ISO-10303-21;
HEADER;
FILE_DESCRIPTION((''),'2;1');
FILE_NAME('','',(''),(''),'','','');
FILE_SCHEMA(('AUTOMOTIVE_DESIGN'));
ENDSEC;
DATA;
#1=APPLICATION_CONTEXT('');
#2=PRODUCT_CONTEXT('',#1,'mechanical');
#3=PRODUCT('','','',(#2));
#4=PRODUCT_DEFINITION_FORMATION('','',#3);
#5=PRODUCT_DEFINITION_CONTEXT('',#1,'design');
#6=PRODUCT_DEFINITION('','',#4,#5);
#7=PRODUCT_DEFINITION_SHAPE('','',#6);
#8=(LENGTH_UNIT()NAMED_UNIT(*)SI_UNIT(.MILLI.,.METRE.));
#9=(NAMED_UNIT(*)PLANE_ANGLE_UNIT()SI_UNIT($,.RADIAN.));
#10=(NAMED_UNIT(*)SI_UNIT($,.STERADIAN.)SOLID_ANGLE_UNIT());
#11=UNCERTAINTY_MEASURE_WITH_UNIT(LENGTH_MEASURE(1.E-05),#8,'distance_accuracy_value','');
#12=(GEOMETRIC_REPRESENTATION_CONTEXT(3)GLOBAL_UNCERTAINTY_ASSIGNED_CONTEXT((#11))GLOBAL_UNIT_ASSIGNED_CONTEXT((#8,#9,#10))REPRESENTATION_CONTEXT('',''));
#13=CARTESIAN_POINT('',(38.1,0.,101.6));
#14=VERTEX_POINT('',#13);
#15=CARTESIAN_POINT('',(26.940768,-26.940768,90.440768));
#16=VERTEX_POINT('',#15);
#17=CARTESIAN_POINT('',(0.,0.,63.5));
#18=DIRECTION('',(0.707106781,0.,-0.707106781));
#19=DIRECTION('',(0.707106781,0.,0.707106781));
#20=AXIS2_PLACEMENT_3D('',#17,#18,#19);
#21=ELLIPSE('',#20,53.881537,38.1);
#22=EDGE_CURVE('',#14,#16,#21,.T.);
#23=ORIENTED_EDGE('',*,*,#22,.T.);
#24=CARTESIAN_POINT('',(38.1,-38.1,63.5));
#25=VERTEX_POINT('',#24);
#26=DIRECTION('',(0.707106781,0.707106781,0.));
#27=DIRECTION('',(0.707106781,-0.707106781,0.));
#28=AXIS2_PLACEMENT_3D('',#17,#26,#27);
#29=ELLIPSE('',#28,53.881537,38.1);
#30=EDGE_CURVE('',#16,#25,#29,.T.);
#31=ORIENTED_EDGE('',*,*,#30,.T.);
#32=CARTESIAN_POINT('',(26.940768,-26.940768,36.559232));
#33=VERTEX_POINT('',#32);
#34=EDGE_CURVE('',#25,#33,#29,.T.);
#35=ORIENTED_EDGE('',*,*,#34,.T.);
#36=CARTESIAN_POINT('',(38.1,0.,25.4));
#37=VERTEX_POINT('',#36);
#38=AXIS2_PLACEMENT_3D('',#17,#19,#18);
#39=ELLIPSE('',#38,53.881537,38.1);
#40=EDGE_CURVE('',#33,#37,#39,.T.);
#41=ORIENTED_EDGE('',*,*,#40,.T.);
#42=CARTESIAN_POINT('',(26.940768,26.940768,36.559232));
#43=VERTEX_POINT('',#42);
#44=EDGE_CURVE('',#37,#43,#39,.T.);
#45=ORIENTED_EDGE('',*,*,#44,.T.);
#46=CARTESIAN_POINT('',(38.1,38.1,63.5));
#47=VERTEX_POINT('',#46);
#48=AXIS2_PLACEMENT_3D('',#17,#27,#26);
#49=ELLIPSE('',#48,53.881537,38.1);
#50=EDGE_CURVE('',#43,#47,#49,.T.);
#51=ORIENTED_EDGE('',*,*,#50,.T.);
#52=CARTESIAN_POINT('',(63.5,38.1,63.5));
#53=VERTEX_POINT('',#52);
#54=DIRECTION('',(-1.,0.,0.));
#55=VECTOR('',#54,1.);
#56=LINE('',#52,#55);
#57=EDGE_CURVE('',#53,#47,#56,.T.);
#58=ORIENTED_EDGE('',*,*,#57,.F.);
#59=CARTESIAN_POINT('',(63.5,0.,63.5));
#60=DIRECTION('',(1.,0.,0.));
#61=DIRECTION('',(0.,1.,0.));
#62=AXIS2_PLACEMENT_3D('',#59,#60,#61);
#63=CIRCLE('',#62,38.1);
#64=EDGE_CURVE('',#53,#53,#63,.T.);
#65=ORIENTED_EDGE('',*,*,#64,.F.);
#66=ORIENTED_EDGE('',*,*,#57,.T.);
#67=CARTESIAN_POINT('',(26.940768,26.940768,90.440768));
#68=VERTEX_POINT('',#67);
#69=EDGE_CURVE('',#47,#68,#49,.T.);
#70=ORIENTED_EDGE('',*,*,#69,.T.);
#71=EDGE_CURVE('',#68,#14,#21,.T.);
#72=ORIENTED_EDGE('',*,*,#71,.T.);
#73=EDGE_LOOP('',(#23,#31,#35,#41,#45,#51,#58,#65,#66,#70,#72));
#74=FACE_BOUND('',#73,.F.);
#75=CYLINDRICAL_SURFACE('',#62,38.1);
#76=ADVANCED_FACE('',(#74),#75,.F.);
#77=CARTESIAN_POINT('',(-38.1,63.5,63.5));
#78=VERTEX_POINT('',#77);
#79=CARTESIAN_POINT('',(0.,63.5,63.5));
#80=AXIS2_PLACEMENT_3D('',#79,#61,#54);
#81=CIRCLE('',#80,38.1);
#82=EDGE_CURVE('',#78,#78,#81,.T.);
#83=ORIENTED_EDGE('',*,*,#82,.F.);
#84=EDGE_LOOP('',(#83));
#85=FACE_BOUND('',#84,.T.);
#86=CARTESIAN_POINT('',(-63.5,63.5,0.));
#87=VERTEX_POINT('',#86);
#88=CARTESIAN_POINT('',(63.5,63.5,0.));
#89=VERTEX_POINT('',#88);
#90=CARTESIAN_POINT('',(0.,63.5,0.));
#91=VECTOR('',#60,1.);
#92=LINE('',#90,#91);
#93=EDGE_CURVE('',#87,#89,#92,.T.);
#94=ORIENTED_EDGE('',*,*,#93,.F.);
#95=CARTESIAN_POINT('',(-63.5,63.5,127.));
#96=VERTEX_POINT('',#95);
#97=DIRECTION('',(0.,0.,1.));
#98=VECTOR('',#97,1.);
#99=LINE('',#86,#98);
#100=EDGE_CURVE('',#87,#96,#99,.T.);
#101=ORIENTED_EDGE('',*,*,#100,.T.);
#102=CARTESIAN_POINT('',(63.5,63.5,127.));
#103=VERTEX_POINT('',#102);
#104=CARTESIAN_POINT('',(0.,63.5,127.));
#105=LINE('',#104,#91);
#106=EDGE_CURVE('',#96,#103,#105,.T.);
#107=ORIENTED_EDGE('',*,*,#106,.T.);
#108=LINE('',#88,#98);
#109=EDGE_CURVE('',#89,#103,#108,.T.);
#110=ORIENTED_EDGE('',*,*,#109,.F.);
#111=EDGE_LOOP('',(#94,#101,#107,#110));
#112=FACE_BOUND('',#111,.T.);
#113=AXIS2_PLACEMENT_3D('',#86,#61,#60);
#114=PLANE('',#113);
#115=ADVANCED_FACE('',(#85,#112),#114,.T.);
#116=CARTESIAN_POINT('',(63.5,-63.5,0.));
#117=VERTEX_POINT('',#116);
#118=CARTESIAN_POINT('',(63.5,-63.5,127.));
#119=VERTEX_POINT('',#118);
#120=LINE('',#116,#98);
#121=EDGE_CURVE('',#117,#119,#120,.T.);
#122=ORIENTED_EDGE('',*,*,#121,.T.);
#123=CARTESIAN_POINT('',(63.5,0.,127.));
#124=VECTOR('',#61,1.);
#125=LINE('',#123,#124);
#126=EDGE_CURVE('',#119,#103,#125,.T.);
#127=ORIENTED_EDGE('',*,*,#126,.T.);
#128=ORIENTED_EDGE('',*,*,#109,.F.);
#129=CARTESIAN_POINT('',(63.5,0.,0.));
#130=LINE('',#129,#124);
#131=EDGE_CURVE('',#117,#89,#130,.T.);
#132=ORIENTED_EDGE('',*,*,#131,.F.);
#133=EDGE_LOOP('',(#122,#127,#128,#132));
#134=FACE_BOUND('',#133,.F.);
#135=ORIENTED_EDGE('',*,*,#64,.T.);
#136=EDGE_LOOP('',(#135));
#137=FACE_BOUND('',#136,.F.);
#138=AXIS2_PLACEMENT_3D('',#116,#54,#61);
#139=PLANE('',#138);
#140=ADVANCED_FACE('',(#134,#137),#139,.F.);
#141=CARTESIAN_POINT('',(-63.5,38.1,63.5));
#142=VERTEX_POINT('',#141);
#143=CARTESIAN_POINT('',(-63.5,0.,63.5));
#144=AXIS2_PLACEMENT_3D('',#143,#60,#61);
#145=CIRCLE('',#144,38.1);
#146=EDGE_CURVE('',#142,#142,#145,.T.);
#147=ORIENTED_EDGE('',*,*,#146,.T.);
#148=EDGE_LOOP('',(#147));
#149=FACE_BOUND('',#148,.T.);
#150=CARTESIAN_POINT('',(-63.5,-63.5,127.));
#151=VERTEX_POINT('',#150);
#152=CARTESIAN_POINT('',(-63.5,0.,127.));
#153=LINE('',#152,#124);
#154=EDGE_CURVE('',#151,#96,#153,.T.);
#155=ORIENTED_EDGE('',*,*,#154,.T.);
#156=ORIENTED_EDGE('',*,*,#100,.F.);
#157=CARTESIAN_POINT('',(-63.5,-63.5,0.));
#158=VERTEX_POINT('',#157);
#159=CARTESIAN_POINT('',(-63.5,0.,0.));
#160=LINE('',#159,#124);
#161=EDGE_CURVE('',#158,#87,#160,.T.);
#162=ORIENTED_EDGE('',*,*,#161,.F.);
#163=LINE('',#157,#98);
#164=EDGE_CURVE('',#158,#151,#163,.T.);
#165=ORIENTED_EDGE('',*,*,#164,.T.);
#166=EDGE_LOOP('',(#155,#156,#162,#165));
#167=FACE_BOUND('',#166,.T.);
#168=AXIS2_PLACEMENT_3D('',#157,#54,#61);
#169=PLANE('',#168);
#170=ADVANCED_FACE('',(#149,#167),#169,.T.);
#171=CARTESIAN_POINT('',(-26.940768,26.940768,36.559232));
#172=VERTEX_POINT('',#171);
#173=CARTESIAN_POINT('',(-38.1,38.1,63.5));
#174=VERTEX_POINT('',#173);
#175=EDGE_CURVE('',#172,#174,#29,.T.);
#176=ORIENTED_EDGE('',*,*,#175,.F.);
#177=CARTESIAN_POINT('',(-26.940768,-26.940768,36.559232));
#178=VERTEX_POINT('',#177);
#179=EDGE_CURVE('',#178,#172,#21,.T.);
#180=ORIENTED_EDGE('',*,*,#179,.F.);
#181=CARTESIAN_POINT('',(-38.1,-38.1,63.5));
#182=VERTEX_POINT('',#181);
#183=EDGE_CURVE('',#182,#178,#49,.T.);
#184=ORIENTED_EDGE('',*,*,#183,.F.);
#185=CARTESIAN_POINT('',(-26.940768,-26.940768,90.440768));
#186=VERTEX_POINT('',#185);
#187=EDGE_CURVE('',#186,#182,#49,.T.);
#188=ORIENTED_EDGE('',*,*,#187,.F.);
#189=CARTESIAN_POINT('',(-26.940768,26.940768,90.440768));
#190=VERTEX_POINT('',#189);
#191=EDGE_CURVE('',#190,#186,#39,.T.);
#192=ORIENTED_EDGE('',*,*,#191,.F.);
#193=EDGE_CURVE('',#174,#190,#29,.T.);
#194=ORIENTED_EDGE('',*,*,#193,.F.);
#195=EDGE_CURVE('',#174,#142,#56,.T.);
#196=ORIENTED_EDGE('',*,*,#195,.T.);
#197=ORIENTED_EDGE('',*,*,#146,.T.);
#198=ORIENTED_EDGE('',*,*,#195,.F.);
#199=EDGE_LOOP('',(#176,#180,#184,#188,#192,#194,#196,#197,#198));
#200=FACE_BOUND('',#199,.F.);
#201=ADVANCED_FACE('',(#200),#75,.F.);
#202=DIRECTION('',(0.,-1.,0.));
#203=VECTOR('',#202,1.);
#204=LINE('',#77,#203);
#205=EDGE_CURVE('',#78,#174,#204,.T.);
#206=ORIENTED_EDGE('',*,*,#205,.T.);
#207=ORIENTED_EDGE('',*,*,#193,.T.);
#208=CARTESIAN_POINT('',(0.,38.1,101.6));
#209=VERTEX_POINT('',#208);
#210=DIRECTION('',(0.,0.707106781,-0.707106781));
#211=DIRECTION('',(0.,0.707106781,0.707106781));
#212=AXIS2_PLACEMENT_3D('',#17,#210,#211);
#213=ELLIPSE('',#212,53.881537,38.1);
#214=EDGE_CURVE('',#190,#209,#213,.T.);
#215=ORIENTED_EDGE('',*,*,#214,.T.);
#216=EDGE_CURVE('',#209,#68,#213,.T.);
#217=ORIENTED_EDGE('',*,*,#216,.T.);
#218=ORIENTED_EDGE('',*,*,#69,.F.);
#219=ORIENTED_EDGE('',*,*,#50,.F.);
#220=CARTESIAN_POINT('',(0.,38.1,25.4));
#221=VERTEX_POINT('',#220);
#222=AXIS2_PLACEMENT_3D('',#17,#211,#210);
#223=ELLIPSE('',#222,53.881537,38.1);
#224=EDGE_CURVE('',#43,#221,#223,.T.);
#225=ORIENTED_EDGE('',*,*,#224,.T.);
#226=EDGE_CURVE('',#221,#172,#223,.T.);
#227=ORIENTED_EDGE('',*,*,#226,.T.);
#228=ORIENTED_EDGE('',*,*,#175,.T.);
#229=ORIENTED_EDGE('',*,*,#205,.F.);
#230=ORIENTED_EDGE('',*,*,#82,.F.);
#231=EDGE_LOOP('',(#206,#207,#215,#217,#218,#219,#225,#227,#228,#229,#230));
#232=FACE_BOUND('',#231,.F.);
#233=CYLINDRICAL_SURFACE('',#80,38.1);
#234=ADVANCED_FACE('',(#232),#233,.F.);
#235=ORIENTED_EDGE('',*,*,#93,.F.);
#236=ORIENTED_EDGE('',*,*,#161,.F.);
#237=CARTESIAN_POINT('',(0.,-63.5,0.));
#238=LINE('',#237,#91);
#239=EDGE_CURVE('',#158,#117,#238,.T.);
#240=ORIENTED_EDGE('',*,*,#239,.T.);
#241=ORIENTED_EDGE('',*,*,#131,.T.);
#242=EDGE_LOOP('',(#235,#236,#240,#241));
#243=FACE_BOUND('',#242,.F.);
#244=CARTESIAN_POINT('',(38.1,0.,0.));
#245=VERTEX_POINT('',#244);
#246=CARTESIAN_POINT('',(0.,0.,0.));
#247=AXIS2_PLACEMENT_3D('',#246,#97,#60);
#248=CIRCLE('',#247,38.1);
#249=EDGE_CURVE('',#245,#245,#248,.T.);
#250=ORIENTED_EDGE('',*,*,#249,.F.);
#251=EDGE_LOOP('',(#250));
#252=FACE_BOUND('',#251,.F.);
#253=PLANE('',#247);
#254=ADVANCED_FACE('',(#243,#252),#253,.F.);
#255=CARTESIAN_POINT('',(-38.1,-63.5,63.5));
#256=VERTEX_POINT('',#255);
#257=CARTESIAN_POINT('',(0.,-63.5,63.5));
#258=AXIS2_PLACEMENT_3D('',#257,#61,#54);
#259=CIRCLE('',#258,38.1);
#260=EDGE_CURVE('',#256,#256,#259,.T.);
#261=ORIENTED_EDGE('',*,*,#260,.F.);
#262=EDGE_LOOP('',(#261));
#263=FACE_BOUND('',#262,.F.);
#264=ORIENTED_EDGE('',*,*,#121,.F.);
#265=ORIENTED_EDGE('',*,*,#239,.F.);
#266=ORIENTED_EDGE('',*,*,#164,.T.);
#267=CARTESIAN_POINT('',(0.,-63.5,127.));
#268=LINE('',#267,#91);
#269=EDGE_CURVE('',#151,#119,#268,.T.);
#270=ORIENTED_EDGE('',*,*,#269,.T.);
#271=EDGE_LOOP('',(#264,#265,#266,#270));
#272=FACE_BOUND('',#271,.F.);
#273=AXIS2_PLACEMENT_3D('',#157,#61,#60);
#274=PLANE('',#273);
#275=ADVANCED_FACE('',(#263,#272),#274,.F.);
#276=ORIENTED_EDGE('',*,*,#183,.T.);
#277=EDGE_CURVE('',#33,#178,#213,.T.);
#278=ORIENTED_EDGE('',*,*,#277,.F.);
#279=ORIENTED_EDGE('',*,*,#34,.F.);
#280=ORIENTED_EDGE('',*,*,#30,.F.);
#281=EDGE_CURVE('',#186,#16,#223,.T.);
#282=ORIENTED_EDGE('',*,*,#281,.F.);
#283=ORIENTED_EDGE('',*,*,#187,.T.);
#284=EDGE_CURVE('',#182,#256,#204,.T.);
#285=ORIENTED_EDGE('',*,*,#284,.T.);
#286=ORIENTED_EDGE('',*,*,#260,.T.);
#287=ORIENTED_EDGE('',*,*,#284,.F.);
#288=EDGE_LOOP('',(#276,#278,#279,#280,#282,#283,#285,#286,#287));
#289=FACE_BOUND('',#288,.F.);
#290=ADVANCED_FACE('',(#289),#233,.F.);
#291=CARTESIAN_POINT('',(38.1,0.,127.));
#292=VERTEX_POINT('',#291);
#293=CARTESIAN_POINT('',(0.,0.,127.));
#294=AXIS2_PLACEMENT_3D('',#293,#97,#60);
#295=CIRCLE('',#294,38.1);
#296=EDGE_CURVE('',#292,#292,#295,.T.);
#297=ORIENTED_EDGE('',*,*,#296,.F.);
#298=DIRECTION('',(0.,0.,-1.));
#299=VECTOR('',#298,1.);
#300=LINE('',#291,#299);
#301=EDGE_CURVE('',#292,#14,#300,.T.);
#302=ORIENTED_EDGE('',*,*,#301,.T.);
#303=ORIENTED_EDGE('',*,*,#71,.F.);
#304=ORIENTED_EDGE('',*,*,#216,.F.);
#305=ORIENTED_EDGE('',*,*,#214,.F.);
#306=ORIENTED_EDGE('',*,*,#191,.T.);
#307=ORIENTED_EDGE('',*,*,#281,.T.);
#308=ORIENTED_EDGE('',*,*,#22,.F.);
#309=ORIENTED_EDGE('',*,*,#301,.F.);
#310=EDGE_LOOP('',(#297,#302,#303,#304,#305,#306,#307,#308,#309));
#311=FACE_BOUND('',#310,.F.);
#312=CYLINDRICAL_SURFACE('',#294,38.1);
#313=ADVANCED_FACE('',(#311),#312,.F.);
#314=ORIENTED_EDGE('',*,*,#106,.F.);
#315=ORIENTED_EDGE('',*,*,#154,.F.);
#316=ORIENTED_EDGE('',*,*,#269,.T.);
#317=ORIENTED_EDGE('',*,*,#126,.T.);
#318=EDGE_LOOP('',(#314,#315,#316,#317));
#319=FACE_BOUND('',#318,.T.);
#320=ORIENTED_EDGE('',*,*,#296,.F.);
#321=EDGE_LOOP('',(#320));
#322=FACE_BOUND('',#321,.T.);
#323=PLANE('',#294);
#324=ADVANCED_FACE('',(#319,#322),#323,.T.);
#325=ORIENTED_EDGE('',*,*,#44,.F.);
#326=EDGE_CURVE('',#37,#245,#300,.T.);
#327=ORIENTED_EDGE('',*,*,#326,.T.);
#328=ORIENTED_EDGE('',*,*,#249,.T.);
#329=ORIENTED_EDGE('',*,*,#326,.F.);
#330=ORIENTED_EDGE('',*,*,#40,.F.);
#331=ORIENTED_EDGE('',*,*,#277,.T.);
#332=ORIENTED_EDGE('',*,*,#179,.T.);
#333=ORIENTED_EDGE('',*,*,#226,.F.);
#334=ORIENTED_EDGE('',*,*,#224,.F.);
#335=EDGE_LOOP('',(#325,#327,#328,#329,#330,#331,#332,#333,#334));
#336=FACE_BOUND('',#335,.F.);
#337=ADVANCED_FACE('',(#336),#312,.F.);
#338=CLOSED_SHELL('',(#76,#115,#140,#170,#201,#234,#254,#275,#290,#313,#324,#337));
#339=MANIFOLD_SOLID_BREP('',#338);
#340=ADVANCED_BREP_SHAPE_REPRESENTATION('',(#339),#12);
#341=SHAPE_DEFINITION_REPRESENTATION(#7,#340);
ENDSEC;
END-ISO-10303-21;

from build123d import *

# Parameters (mm, degrees)
F0_W     = 127
F0_H     = 127
F1_DEPTH = 127
F2_R     = 38.1
F3_DEPTH = 127
F4_R     = 38.1
F5_DEPTH = 127
F6_R     = 38.1
F7_DEPTH = 127


with BuildPart() as f1:
    # F0 (on Top) → F1 (new body)
    with BuildSketch(Plane.XY):
        Rectangle(F0_W, F0_H)
    extrude(amount=F1_DEPTH)

    # F2 (on face) → F3 (cut)
    with BuildSketch(Plane.YZ.offset(63.5)):
        with Locations((0, 63.5)):
            Circle(F2_R)
    extrude(amount=-F3_DEPTH, mode=Mode.SUBTRACT)

    # F4 (on face) → F5 (cut)
    with BuildSketch(Plane(origin=(0, 63.5, 0), x_dir=(-1, 0, 0), z_dir=(0, 1, 0))):
        with Locations((0, 63.5)):
            Circle(F4_R)
    extrude(amount=-F5_DEPTH, mode=Mode.SUBTRACT)

    # F6 (on face) → F7 (cut)
    with BuildSketch(Plane.XY.offset(127)):
        Circle(F6_R)
    extrude(amount=-F7_DEPTH, mode=Mode.SUBTRACT)


solid = f1.part
